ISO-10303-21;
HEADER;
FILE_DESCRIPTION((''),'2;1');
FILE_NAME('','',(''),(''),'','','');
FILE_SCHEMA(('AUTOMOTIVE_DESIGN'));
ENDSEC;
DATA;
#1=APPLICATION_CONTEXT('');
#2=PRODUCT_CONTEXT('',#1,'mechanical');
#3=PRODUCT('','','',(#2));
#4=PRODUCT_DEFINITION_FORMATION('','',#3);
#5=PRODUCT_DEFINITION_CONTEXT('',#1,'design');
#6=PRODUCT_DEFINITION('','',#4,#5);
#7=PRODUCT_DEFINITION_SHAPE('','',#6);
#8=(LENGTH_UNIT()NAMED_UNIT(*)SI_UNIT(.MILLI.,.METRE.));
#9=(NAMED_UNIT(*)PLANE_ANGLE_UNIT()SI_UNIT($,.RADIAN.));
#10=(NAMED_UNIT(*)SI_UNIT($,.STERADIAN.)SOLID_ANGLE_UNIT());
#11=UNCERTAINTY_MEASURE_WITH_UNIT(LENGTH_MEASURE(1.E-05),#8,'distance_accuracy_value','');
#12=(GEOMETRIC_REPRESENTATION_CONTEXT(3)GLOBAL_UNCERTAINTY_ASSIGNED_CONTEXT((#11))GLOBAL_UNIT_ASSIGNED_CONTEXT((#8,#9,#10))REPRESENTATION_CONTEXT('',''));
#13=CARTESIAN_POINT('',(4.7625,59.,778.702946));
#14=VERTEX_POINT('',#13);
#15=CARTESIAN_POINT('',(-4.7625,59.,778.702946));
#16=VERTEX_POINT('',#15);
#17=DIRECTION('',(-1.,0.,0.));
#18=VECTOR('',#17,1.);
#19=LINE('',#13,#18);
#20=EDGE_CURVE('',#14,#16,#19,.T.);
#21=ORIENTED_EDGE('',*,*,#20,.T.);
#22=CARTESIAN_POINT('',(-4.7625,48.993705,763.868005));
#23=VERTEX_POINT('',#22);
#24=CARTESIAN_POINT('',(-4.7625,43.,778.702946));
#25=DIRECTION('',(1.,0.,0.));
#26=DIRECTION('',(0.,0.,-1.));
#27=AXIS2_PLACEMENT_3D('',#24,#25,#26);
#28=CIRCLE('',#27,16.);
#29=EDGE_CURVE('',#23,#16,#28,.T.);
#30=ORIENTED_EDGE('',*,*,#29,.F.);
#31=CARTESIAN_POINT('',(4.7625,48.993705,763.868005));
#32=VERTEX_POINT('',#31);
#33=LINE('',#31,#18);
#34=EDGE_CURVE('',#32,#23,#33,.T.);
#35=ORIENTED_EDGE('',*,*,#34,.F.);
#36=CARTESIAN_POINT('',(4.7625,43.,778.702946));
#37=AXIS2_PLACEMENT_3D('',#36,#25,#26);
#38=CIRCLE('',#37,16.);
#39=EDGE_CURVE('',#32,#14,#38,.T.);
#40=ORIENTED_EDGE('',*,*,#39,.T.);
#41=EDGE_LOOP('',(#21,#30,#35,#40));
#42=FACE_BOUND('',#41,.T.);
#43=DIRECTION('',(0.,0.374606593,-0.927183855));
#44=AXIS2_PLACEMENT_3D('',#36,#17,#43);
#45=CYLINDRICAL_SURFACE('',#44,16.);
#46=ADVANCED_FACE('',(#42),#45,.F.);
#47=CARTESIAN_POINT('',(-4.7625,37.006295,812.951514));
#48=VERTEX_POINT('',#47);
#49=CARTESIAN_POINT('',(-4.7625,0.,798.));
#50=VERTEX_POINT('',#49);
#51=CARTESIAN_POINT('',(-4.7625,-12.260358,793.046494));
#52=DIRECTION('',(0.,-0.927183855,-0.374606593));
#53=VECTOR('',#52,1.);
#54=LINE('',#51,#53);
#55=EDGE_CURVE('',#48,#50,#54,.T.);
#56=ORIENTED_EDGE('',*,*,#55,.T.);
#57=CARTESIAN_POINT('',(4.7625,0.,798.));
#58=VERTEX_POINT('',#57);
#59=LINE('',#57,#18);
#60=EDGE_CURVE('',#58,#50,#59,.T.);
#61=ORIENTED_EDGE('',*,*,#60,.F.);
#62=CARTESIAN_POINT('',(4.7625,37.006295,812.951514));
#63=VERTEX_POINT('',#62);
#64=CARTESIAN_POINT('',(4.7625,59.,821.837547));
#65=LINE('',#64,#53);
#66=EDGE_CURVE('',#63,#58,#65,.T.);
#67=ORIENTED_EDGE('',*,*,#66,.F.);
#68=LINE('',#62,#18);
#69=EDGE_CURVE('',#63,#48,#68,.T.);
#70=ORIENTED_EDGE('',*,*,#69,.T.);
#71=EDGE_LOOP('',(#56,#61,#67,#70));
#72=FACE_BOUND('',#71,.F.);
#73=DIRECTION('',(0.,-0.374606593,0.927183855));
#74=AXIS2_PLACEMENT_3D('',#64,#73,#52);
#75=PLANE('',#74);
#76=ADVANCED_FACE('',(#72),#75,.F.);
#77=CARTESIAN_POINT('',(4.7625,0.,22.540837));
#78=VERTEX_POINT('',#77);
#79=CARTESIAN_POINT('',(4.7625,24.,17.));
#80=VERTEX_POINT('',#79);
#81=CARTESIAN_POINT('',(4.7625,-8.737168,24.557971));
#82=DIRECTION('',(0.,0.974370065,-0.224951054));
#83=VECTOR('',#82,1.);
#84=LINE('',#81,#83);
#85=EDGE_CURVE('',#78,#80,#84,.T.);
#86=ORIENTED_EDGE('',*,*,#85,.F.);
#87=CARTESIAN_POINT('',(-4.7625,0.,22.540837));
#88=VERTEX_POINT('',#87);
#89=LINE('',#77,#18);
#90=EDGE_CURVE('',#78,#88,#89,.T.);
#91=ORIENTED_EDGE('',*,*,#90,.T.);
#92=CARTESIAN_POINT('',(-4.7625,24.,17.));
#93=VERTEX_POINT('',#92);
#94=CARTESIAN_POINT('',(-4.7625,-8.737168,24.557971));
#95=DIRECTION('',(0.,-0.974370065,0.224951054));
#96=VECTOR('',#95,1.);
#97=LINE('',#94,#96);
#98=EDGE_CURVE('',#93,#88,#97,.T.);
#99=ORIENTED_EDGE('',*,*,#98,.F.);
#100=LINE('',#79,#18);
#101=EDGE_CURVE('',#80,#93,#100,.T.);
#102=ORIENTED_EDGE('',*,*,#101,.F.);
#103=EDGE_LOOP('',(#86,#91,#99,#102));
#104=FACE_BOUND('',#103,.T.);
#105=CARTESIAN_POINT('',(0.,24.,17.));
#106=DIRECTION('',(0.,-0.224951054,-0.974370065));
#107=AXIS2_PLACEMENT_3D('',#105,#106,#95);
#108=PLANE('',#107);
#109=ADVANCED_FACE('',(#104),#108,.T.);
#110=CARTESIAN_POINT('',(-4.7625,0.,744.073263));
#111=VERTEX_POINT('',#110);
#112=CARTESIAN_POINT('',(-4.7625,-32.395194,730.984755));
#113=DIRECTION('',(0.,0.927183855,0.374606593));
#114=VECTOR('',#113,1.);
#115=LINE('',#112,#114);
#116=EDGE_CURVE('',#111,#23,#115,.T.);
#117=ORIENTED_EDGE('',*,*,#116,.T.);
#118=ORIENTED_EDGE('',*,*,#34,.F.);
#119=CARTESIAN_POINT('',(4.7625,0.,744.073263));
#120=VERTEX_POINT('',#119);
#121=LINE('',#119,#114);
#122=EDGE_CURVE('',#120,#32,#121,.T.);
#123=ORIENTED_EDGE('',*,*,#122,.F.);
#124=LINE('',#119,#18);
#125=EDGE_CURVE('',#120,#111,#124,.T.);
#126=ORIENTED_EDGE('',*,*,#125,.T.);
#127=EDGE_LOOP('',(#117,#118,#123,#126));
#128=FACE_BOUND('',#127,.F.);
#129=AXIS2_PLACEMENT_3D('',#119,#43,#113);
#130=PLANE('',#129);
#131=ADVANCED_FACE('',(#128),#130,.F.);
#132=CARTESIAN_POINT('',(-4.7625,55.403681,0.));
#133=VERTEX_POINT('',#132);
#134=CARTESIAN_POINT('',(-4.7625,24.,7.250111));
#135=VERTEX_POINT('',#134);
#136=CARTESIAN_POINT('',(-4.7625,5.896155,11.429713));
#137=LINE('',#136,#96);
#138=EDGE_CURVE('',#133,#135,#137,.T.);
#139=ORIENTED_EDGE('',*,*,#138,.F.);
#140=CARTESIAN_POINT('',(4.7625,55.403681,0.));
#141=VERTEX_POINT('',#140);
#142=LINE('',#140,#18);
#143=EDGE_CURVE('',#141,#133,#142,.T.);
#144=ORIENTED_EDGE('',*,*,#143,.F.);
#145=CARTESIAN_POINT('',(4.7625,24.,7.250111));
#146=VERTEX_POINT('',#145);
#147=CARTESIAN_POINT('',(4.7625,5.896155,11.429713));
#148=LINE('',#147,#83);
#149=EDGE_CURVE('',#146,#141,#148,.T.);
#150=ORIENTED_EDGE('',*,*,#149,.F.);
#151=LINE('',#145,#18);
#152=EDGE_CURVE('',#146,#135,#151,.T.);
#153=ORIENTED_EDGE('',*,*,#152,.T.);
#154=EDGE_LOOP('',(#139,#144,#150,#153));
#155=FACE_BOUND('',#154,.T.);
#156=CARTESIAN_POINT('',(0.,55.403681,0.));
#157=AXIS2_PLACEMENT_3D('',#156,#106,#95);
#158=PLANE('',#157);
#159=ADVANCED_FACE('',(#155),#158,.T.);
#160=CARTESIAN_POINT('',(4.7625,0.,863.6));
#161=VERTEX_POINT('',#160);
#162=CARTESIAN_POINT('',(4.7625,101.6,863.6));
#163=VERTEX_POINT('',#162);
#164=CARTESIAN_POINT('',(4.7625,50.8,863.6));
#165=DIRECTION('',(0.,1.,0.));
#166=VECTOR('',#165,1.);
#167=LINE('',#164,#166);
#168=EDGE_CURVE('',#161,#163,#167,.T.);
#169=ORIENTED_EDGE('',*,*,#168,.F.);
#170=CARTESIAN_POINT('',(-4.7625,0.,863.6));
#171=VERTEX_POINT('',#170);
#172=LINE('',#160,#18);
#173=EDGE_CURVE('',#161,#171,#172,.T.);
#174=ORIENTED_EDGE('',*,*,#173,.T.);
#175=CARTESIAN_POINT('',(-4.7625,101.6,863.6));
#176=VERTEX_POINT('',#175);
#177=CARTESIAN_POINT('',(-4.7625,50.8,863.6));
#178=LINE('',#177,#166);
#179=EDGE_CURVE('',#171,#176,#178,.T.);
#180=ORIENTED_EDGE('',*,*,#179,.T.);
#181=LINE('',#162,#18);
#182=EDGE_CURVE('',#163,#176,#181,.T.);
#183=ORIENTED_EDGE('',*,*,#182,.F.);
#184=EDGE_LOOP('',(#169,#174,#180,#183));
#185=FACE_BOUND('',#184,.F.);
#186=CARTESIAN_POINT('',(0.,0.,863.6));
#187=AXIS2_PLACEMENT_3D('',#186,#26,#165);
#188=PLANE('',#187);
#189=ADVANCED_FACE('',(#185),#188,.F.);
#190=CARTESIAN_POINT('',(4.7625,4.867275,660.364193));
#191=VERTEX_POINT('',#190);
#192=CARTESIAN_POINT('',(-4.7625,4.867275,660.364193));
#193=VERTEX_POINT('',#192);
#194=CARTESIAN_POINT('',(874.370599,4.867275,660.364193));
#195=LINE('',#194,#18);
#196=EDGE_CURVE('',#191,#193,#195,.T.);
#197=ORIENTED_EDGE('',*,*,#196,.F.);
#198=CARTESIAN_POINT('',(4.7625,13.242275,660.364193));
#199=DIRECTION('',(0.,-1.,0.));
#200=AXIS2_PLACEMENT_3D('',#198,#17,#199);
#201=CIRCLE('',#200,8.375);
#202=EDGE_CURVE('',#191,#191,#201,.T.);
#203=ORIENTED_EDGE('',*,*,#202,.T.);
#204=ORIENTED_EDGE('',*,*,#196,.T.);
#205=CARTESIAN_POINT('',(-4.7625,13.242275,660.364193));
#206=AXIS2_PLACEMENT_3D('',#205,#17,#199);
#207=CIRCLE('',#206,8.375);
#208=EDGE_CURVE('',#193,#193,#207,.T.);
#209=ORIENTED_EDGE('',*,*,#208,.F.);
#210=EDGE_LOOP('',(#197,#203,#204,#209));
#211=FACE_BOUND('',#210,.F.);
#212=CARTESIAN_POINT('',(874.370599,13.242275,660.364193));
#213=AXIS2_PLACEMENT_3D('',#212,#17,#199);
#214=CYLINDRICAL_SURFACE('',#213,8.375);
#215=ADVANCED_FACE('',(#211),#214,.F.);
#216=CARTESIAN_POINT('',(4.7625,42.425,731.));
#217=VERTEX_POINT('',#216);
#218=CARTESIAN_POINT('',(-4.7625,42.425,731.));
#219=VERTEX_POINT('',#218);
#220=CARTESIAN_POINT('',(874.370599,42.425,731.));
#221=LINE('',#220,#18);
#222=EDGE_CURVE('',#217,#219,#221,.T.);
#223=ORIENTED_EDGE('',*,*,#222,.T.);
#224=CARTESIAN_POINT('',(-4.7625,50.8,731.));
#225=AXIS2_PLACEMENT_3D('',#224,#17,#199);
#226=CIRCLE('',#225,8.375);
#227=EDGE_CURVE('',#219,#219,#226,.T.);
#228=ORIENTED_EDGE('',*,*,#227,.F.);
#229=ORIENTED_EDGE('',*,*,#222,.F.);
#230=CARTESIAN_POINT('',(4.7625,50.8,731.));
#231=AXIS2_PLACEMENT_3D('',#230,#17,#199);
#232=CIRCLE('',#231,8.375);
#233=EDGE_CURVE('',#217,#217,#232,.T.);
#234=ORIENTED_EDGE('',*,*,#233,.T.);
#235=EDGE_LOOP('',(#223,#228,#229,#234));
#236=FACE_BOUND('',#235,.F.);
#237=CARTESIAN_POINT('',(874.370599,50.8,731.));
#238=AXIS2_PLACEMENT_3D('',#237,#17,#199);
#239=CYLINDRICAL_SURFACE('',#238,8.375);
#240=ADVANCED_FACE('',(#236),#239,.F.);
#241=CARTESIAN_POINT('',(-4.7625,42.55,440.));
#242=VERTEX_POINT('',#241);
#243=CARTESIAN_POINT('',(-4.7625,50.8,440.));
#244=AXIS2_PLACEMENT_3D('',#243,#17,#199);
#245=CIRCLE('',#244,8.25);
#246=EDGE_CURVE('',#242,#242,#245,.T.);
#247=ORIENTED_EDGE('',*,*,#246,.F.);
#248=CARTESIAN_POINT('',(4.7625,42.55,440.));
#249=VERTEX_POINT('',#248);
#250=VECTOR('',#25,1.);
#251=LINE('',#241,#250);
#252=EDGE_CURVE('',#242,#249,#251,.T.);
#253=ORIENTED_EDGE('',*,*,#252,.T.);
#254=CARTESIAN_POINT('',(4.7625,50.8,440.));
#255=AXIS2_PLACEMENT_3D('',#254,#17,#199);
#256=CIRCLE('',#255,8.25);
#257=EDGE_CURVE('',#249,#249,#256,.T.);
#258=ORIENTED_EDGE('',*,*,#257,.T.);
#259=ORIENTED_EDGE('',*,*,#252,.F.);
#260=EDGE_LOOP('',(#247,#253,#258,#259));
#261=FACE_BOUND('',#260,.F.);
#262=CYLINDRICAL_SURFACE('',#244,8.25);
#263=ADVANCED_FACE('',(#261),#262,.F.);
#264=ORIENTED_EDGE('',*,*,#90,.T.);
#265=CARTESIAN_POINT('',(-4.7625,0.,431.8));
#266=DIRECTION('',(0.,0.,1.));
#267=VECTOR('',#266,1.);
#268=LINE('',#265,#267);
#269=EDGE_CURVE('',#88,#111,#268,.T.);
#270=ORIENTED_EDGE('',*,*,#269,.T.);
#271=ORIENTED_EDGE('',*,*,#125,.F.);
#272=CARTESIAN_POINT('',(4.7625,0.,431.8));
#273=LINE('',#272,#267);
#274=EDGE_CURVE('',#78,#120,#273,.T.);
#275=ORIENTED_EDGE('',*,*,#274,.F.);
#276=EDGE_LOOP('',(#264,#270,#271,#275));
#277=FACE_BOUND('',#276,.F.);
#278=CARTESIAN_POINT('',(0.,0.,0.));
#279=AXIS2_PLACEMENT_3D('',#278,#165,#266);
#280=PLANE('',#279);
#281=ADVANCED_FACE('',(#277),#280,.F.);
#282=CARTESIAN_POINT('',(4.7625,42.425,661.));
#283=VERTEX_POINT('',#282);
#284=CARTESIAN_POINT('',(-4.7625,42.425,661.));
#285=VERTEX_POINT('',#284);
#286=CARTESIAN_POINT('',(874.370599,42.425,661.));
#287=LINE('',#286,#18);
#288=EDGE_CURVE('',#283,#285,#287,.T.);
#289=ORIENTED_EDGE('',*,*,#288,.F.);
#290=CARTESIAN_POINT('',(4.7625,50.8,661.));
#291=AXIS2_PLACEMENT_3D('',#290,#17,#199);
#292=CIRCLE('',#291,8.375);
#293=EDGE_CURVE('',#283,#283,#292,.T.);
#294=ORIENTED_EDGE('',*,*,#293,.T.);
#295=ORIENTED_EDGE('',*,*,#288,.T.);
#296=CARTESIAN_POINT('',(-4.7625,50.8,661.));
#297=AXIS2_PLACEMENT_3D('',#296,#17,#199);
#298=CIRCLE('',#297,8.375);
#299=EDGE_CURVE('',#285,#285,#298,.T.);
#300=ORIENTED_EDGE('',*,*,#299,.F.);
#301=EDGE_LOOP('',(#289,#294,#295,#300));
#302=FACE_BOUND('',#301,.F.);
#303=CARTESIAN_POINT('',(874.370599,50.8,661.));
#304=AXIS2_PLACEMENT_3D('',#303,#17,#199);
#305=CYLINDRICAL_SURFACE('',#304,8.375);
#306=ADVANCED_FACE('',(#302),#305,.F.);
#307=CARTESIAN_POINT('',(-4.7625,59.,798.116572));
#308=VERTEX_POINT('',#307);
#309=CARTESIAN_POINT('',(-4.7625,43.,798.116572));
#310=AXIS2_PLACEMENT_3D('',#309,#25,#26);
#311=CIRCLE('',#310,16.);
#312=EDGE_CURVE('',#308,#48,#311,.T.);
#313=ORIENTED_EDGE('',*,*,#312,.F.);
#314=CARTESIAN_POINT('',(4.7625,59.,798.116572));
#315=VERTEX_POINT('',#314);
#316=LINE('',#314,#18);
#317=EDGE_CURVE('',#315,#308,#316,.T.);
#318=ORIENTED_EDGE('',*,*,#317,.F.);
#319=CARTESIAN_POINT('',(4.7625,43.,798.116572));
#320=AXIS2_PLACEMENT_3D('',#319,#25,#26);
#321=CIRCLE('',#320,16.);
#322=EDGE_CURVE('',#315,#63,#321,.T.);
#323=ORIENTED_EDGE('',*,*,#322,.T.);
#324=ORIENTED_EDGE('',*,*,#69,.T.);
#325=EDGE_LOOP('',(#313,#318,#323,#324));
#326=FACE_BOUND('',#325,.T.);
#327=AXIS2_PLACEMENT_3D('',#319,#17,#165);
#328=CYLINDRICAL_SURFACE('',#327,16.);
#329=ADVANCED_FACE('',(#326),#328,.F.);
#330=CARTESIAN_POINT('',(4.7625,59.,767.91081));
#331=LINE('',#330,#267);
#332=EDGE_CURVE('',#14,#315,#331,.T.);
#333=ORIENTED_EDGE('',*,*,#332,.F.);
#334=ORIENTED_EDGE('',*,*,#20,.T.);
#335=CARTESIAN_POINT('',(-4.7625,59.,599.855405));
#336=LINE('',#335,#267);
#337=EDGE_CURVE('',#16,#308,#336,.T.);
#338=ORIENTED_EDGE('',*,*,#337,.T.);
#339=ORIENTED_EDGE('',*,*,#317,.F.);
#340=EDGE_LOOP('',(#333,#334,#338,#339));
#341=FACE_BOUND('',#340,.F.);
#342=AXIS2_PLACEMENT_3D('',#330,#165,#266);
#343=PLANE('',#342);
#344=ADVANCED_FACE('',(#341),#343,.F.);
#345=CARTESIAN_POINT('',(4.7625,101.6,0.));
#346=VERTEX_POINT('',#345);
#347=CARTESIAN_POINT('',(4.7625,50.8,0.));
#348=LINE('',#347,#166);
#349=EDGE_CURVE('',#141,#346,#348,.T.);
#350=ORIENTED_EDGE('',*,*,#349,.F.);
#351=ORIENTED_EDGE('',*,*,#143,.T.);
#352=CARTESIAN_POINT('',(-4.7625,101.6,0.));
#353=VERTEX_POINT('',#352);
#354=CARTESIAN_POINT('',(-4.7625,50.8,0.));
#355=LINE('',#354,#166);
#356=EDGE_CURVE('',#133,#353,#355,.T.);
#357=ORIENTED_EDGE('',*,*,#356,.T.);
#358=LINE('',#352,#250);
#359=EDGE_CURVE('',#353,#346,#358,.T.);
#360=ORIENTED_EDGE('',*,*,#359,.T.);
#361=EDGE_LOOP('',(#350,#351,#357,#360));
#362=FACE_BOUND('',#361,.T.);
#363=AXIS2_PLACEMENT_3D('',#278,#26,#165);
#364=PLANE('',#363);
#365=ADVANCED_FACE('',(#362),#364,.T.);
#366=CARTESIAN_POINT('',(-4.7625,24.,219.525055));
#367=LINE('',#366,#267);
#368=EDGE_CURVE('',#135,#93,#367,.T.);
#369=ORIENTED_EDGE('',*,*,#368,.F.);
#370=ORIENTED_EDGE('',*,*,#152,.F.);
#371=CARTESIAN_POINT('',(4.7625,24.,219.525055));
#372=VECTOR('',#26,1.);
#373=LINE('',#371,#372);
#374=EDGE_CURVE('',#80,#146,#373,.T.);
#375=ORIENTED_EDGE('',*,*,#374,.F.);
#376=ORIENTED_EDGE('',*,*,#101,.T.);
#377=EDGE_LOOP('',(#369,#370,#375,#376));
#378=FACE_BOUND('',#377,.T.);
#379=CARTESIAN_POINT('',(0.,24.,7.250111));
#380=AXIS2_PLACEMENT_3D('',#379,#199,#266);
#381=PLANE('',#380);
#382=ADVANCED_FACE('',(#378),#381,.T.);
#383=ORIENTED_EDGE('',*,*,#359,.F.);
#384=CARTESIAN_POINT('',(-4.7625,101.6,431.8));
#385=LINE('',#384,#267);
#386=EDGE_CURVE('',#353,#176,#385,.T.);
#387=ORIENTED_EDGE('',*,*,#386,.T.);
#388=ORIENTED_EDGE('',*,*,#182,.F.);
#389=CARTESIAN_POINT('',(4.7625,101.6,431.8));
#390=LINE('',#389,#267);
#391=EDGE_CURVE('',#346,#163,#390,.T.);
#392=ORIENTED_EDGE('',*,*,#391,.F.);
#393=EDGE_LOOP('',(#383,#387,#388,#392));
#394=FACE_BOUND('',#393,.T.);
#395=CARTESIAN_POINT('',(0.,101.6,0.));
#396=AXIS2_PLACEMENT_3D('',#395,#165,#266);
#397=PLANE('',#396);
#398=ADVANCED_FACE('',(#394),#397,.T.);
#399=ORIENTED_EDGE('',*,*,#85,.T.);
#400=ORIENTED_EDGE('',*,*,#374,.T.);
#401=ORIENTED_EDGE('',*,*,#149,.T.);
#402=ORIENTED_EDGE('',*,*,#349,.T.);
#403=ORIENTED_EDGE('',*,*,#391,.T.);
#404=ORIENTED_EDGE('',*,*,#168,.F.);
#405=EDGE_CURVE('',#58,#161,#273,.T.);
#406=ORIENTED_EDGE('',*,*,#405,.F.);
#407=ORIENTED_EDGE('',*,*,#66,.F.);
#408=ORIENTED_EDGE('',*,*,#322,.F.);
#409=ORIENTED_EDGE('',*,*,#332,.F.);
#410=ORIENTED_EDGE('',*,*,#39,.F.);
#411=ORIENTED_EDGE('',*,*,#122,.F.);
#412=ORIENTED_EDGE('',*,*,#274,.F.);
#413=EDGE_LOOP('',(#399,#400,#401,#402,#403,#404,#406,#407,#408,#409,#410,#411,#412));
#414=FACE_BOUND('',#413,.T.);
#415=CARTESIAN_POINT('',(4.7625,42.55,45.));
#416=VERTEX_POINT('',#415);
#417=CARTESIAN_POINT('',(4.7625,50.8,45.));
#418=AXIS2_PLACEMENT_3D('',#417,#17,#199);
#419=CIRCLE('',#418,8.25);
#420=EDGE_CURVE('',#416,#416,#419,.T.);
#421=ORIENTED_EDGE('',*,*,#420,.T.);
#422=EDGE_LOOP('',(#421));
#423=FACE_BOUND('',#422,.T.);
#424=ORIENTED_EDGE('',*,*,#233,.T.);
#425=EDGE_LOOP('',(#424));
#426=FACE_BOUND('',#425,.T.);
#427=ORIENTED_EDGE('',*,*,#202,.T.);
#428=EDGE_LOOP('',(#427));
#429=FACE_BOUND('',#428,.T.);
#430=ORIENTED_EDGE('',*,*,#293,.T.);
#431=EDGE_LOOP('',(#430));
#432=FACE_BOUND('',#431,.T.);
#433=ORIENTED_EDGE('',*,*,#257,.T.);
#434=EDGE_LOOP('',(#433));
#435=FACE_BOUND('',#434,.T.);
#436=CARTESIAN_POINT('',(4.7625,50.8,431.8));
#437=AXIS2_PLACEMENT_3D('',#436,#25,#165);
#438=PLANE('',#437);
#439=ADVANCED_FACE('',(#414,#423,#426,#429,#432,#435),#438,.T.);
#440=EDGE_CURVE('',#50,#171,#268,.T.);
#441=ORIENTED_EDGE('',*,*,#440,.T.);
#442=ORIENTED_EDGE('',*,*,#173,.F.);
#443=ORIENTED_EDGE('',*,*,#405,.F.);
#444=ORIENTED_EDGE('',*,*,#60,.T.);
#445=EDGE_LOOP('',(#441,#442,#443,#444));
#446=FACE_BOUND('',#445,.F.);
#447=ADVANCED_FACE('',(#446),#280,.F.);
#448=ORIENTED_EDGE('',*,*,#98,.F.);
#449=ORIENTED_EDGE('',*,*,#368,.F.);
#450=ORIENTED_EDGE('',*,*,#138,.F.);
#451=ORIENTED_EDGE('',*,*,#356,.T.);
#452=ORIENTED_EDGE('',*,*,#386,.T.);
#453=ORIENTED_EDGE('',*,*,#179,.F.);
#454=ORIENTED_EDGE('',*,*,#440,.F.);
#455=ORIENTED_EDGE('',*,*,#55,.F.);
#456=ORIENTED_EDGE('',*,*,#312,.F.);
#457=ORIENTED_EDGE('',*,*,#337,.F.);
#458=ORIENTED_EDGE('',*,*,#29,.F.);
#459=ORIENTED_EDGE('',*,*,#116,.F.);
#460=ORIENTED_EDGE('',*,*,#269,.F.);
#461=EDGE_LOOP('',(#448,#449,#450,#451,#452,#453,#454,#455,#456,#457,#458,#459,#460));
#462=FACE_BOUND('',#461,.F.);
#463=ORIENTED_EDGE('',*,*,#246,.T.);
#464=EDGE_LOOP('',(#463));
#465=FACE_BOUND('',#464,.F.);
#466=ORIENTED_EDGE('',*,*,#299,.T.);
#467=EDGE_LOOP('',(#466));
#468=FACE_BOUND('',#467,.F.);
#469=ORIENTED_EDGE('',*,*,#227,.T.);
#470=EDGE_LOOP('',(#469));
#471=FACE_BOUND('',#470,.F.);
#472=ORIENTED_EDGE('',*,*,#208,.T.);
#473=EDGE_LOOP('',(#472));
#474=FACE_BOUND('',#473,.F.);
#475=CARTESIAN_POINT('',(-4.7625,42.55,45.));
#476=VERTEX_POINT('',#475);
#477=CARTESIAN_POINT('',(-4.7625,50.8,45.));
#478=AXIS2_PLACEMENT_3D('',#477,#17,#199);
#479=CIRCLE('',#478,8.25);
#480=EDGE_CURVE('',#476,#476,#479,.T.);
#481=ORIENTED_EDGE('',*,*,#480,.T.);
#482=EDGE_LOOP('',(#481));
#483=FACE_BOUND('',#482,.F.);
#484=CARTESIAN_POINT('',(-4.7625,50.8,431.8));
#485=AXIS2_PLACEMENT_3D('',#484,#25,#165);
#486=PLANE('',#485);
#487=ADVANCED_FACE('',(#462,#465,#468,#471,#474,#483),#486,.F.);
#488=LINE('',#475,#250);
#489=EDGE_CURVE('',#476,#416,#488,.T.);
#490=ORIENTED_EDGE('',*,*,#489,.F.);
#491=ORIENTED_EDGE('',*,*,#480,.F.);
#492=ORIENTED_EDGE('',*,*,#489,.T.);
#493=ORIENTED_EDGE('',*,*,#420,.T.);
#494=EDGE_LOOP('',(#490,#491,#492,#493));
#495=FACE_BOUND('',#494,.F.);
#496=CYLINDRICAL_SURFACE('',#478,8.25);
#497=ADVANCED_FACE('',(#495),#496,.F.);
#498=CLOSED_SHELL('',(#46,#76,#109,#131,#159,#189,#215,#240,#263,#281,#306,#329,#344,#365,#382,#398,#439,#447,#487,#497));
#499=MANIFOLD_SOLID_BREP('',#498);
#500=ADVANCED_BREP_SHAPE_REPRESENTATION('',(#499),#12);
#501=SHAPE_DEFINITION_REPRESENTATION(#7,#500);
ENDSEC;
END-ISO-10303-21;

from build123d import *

# Parameters (mm, degrees)
F0_W          = 101.6
F0_H          = 863.6
F1_DEPTH      = 4.7625
F2_R          = 8.25
F3_DEPTH      = 9.526
F5_DEPTH      = 9.526
F6_R          = 16
F8_DEPTH      = 4.7635
F8_DEPTH_BACK = 4.7635
F10_D         = 16.75


with BuildPart() as f1:
    # F0 (on Right) → F1 (new body, symmetric)
    with BuildSketch(Plane.YZ):
        with Locations((50.8, 431.8)):
            Rectangle(F0_W, F0_H)
    extrude(amount=F1_DEPTH, both=True)

    # F2 (on face) → F3 (cut, through all)
    with BuildSketch(Plane(origin=(-4.7625, 0, 0), x_dir=(0, -1, 0), z_dir=(-1, 0, 0))):
        with Locations((-50.8, 45)):
            Circle(F2_R)
        with Locations((-50.8, 440)):
            Circle(F2_R)
    extrude(amount=-F3_DEPTH, mode=Mode.SUBTRACT)

    # F4 (on face) → F5 (cut, through all)
    with BuildSketch(Plane.YZ.offset(4.7625)):
        Polygon((59, 821.8375473243), (0, 798), (0, 744.0732628661), (59, 767.9108101904), align=None)
    extrude(amount=-F5_DEPTH, mode=Mode.SUBTRACT)

    # F6
    f6_edges = [f1.edges().sort_by_distance(p)[0] for p in [
        (0, 59, 767.91081),
        (0, 59, 821.837547),
    ]]
    fillet(f6_edges, radius=F6_R)

    # F7 (on Right) → F8 (cut, two sides)
    with BuildSketch(Plane.YZ) as f8_sk:
        Polygon((0, 22.540836587), (0, 0), (55.4036807783, 0), (24, 7.250110976), (24, 17), align=None)
    extrude(amount=-F8_DEPTH, mode=Mode.SUBTRACT)
    extrude(f8_sk.sketch, amount=F8_DEPTH_BACK, mode=Mode.SUBTRACT)

    # F10 (through all)
    with Locations(Plane.YZ.offset(4.7625)):
        with Locations((50.8, 731), (50.8, 661), (13.2422749771, 660.3641925713)):
            Hole(F10_D / 2)


solid = f1.part
